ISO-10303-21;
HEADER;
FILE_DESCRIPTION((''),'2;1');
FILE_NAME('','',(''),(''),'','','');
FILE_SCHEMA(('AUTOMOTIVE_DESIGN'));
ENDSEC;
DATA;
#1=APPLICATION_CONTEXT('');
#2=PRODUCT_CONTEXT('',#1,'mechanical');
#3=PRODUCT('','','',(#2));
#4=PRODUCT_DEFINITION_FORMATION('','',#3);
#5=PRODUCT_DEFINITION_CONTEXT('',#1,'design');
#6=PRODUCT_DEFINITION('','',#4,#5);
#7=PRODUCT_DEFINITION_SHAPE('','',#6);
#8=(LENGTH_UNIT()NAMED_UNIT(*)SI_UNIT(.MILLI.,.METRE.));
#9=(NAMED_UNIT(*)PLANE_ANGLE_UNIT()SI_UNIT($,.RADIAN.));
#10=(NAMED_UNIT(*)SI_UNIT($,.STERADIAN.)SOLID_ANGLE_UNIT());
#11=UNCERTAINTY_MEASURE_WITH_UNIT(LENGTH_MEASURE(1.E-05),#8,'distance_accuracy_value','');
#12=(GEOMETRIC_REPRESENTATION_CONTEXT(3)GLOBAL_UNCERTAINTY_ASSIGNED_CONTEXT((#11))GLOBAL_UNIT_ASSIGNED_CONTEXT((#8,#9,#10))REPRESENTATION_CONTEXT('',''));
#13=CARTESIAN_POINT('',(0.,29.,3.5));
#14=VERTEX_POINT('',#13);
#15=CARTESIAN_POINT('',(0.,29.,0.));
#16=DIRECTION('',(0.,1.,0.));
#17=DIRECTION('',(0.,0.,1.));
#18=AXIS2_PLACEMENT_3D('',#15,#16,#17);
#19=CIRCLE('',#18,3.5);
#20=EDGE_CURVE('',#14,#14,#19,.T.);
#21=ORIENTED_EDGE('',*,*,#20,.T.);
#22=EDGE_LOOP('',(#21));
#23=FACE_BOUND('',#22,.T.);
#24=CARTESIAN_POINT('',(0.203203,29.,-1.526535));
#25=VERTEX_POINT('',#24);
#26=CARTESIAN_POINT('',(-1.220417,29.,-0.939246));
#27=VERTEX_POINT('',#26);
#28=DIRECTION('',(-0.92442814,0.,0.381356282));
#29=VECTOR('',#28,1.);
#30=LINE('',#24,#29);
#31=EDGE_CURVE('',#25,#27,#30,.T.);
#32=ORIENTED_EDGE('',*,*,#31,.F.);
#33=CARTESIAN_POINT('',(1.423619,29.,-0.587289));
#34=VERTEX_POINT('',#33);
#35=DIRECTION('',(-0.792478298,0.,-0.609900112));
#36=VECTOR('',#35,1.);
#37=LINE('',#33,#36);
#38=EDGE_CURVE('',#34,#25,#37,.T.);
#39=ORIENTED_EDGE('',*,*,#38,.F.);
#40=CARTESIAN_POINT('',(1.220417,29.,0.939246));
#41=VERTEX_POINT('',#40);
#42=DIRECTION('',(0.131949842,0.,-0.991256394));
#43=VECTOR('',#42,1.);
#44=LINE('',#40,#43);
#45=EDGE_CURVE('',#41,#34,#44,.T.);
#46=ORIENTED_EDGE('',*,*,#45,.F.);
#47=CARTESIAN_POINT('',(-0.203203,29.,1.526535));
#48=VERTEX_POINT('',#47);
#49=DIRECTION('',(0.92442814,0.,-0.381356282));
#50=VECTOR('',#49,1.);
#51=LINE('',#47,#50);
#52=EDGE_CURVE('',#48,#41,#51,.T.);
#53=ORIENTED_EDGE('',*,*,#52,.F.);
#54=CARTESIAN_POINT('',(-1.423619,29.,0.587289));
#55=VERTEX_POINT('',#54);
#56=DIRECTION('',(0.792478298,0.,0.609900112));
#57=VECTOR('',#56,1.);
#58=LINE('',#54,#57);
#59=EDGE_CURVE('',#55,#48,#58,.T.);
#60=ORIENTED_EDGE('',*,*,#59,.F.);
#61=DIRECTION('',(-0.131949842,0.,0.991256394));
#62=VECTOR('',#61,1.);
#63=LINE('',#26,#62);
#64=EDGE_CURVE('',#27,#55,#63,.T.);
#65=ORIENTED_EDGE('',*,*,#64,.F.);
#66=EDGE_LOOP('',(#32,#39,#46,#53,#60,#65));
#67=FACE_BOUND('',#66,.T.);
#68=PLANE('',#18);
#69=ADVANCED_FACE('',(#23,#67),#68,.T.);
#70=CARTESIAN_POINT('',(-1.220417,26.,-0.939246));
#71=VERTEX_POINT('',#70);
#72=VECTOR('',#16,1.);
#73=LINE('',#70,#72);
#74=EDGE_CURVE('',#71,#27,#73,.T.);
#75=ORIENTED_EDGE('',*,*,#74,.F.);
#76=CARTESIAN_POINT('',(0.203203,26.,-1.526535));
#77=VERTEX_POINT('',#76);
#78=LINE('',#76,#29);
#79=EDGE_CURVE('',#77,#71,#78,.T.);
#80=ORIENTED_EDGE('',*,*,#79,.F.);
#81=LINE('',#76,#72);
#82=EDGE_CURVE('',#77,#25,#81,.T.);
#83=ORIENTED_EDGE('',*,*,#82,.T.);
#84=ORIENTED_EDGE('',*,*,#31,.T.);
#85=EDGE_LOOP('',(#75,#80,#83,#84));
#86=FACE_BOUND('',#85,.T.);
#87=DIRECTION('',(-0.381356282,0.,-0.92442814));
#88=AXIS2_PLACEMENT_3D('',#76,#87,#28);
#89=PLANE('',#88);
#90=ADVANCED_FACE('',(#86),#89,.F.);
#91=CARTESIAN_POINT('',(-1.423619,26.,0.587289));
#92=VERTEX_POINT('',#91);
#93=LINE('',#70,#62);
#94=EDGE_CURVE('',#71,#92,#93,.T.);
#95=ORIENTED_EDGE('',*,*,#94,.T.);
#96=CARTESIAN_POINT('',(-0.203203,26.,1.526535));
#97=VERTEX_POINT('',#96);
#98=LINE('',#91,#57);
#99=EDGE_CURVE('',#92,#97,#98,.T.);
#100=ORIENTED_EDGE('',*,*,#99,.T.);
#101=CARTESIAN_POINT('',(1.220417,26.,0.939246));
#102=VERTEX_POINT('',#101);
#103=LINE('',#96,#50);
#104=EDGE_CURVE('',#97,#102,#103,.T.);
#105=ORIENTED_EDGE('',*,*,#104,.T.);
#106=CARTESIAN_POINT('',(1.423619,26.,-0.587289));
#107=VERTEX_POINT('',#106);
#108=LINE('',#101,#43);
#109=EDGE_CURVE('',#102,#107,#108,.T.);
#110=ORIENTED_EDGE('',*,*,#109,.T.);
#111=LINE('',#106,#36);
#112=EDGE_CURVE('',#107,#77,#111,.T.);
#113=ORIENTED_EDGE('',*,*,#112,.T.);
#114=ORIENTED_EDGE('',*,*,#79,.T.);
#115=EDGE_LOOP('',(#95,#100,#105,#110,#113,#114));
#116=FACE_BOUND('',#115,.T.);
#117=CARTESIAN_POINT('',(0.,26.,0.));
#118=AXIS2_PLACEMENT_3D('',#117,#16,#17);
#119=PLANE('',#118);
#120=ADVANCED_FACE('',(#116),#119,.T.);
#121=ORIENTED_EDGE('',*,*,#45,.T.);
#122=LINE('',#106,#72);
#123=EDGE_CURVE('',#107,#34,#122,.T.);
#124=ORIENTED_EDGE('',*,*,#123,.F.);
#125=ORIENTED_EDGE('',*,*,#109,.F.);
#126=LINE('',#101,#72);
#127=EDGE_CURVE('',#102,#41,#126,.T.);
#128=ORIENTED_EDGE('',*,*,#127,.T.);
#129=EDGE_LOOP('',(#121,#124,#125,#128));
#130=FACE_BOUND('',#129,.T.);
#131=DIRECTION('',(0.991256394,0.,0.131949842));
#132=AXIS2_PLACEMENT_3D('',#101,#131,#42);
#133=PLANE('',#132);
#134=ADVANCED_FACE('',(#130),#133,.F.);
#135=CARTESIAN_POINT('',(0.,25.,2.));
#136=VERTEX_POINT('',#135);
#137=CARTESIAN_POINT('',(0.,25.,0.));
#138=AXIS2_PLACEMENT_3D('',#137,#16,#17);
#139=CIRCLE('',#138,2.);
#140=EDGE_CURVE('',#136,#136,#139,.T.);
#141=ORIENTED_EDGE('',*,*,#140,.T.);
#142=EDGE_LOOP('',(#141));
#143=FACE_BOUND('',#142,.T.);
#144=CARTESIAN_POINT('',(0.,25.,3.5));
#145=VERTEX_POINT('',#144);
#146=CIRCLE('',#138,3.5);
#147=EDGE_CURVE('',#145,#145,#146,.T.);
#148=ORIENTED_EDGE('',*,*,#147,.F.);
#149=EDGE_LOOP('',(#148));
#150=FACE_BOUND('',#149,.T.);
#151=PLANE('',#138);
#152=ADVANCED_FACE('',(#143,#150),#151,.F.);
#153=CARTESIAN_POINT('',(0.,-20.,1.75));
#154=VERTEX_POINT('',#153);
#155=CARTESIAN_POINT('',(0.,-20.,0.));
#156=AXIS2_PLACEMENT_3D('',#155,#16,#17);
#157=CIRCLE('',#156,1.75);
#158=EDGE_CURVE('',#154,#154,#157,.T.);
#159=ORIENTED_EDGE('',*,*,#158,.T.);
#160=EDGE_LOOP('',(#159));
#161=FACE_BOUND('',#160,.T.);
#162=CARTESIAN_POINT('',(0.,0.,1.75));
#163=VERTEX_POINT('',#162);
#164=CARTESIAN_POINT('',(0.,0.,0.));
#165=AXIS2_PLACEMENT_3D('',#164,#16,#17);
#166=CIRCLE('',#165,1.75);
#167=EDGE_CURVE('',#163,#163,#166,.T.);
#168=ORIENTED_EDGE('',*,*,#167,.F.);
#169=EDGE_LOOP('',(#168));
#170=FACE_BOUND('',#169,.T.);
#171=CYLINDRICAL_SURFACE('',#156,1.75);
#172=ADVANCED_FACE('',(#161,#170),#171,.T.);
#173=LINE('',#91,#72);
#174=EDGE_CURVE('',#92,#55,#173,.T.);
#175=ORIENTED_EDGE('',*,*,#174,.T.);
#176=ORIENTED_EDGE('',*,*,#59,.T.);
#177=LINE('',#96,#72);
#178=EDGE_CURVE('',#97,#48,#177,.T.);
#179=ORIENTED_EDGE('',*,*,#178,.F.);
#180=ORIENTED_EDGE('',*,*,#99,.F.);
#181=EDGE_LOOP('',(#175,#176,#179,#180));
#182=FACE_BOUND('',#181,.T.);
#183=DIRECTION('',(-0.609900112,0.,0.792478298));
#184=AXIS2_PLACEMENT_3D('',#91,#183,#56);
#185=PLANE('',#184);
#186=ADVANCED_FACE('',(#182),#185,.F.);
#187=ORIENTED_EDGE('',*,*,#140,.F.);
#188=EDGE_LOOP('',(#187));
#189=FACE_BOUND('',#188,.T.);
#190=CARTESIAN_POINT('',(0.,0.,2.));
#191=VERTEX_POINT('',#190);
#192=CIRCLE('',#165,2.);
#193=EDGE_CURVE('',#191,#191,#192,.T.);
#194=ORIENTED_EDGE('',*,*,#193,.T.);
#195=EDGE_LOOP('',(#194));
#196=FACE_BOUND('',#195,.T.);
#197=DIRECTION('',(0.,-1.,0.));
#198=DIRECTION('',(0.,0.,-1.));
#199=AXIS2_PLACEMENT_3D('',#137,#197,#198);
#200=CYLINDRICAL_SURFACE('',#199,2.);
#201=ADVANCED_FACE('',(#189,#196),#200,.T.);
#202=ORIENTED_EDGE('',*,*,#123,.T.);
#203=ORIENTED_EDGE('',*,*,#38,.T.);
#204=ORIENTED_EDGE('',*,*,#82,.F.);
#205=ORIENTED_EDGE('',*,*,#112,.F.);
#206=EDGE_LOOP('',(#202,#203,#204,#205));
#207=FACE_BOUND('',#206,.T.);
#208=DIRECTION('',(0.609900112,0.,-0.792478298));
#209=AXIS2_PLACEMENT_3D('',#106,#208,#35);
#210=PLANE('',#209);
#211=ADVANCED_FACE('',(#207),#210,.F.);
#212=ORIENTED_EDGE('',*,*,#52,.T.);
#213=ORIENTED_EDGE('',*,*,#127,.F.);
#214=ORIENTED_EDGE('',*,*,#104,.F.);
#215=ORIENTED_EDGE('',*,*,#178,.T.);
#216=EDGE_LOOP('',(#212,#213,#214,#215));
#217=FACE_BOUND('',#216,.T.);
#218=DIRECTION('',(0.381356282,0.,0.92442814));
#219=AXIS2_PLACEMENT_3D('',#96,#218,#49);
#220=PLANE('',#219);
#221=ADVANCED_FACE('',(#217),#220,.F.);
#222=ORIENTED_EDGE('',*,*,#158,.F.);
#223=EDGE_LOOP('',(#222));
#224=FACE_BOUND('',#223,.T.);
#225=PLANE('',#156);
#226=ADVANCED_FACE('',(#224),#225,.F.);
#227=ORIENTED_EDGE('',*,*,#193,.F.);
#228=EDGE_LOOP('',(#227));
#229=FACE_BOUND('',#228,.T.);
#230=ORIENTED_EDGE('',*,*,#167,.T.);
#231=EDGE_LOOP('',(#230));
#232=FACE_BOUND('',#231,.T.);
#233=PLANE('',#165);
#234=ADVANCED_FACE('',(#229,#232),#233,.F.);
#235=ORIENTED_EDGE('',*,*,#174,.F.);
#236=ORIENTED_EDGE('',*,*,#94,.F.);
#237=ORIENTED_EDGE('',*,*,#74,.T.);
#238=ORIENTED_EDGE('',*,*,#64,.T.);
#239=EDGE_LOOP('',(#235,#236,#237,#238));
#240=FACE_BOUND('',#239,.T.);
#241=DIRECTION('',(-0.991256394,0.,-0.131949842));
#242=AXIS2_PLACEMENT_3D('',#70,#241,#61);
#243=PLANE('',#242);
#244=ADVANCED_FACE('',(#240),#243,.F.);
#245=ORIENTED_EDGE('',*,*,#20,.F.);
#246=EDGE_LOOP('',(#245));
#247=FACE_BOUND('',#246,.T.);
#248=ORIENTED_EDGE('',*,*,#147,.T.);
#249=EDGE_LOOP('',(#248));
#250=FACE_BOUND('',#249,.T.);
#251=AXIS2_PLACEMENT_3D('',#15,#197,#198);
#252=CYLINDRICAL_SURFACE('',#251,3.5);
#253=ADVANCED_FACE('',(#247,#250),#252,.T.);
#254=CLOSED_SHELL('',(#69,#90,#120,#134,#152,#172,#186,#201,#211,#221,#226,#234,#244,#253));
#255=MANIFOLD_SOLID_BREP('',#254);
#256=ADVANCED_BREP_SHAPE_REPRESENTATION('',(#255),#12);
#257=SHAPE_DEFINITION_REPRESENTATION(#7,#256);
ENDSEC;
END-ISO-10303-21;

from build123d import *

# Parameters (mm, degrees)
SKETCH_1_R          = 2
EXTRUDE_1_DEPTH     = 25
SKETCH_1_3_R        = 1.75
EXTRUDE_2_DEPTH     = 20
SKETCH_2_R          = 3.5
EXTRUDE_3_DEPTH     = 4
CUT_EXTRUDE_1_DEPTH = 3


with BuildPart() as part:
    # 草图1 → 凸台-拉伸1 (new body)
    with BuildSketch(Plane(origin=(0, 0, 0), x_dir=(1, 0, 0), z_dir=(0, 1, 0))):
        Circle(SKETCH_1_R)
    extrude(amount=EXTRUDE_1_DEPTH)

    # 草图1<3> → 凸台-拉伸2 (add)
    with BuildSketch(Plane(origin=(0, 0, 0), x_dir=(1, 0, 0), z_dir=(0, 1, 0))):
        Circle(SKETCH_1_3_R)
    extrude(amount=-EXTRUDE_2_DEPTH)

    # 草图2 → 凸台-拉伸3 (add)
    with BuildSketch(Plane(origin=(0, 25, 0), x_dir=(1, 0, 0), z_dir=(0, 1, 0))):
        Circle(SKETCH_2_R)
    extrude(amount=EXTRUDE_3_DEPTH)

    # 草图3 → 切除-拉伸1 (cut)
    with BuildSketch(Plane(origin=(0, 29, 0), x_dir=(1, 0, 0), z_dir=(0, 1, 0))):
        Polygon((1.22041658, -0.939246172), (1.423619335, 0.587288675), (0.203202756, 1.526534847), (-1.22041658, 0.939246172), (-1.423619335, -0.587288675), (-0.203202756, -1.526534847), align=None)
    extrude(amount=-CUT_EXTRUDE_1_DEPTH, mode=Mode.SUBTRACT)


solid = part.part
